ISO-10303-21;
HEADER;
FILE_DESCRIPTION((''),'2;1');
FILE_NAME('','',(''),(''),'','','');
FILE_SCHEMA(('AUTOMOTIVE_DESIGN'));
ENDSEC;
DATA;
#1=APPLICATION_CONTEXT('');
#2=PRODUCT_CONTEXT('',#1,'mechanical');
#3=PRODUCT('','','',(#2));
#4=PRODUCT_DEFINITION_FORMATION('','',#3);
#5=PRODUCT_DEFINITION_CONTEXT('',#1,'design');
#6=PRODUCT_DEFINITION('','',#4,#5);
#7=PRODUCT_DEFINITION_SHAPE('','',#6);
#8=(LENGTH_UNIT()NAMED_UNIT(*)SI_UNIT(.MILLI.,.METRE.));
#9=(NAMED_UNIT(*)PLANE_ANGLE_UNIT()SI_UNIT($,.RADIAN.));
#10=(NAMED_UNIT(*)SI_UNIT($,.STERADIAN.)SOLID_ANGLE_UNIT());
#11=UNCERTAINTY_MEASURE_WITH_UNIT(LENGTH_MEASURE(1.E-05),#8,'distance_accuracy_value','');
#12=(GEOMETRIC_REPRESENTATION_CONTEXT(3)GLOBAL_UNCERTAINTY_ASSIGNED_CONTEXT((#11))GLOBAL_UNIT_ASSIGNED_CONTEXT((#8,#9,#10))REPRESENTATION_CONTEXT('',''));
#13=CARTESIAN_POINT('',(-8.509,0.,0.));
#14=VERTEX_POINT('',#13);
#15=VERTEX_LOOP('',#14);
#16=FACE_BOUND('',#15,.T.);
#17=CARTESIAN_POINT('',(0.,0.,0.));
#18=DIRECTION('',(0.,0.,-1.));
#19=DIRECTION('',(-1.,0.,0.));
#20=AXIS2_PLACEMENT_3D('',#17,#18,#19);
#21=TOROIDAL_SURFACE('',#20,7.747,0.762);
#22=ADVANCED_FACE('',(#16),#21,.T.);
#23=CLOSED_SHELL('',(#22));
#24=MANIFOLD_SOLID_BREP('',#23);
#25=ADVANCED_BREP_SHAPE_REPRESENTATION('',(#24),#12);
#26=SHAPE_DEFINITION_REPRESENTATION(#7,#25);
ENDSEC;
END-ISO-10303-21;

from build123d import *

# Parameters (mm, degrees)
SKETCH2_R = 0.762


with BuildPart() as part:
    # Sketch2 → Revolve1 (revolve)
    with BuildSketch(Plane(origin=(0, 0, 0), x_dir=(1, 0, 0), z_dir=(0, 1, 0)), mode=Mode.PRIVATE) as revolve1_sk:
        with Locations((7.747, 0)):
            Circle(SKETCH2_R)
    revolve(revolve1_sk.sketch.rotate(Axis((0, 0, -9.87070751), (0, 0, 1)), 180), axis=Axis((0, 0, -9.87070751), (0, 0, 1)))


solid = part.part
